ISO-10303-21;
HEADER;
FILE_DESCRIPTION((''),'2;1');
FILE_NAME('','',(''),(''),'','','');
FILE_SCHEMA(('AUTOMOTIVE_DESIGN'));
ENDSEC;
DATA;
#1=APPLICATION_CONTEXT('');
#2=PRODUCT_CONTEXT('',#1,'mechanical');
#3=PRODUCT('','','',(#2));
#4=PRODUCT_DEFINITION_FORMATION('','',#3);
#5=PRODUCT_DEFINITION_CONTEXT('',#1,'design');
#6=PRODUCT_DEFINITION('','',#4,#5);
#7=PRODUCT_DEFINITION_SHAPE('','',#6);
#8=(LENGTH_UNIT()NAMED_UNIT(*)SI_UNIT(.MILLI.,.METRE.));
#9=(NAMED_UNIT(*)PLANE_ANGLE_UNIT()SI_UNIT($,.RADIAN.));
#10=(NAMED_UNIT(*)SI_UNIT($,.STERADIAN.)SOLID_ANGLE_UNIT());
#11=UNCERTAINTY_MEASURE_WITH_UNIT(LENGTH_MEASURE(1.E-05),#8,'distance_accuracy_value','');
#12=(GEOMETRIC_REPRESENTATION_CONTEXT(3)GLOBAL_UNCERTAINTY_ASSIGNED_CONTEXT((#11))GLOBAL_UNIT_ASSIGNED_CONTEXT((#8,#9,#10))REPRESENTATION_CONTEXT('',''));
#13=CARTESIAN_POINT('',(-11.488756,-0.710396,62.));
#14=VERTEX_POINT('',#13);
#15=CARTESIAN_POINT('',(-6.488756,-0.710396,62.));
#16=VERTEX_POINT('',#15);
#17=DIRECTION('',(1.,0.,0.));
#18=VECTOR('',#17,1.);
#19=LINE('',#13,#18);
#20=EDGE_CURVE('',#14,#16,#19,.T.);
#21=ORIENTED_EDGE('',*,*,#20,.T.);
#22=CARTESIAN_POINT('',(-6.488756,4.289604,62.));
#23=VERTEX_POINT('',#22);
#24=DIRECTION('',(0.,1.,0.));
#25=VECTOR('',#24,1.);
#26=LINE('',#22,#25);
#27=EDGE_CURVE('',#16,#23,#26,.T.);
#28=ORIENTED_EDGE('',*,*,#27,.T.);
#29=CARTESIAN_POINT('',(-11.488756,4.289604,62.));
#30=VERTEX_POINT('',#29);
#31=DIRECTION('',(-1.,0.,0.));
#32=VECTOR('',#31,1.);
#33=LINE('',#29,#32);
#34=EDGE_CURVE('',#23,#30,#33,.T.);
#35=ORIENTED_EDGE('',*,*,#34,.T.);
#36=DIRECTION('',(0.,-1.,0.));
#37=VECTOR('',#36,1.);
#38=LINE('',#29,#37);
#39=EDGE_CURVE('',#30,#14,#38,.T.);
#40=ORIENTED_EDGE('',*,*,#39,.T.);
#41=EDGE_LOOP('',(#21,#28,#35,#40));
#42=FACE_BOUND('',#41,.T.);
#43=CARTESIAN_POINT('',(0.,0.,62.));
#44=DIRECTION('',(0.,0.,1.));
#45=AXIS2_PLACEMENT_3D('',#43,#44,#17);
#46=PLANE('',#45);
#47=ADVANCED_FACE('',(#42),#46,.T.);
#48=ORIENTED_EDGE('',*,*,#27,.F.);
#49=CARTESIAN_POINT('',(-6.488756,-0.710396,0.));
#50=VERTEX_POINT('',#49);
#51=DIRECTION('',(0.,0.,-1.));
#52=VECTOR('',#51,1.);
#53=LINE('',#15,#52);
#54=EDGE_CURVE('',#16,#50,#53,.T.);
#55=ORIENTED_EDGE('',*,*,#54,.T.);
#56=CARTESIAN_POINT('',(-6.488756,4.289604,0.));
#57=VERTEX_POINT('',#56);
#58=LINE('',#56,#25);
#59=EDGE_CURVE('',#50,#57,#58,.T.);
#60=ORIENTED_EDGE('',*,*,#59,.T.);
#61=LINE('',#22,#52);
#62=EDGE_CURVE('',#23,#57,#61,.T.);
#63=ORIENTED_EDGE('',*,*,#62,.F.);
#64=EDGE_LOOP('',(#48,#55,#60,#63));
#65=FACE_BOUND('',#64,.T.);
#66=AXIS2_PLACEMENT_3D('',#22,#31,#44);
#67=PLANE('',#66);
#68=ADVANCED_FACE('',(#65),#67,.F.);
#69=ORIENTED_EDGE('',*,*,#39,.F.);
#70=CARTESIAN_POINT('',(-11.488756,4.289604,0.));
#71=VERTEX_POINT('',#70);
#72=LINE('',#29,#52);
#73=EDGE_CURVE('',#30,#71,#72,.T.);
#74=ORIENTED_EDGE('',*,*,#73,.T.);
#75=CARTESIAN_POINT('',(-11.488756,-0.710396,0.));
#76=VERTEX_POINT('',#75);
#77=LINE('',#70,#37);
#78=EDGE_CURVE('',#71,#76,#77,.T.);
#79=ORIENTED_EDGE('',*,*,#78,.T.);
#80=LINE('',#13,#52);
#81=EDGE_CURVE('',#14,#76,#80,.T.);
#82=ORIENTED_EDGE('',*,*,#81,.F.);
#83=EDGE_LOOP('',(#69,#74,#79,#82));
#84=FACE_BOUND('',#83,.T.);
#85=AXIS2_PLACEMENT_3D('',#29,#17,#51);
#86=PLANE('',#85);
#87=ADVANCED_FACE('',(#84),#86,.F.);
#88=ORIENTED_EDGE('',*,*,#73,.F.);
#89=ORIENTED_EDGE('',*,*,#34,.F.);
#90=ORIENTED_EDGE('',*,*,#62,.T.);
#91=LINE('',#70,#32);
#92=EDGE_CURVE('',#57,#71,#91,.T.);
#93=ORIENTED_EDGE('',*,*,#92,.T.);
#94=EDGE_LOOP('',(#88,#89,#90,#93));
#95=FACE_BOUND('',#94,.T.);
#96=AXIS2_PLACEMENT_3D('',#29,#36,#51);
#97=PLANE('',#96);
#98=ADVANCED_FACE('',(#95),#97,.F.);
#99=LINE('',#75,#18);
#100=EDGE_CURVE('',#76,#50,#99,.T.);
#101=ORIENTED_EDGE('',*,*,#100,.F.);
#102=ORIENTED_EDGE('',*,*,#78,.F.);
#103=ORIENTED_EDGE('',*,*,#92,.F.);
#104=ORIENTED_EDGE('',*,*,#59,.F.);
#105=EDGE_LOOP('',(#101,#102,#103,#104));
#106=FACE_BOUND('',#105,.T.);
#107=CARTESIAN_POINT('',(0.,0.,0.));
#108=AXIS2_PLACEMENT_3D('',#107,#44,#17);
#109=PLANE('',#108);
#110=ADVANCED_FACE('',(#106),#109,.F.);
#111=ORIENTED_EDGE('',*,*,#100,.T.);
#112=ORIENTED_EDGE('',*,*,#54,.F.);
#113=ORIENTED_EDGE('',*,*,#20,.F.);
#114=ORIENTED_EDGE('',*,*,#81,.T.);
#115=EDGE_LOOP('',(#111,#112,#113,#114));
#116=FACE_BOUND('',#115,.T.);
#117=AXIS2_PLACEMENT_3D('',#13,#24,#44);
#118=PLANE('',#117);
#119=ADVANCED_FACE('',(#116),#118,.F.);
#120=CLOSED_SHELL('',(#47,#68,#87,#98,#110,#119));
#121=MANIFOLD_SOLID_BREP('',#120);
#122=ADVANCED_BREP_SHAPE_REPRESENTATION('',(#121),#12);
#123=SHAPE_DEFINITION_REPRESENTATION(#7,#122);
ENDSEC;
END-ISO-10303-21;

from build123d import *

# Parameters (mm, degrees)
SZKIC1_W                    = 5
SZKIC1_H                    = 5
DODANIE_WYCI_GNI_CIE1_DEPTH = 62


with BuildPart() as part:
    # Szkic1 → Dodanie-wyciągnięcie1 (new body)
    with BuildSketch(Plane.XY):
        with Locations((-8.988755852, 1.78960396)):
            Rectangle(SZKIC1_W, SZKIC1_H)
    extrude(amount=DODANIE_WYCI_GNI_CIE1_DEPTH)


solid = part.part
